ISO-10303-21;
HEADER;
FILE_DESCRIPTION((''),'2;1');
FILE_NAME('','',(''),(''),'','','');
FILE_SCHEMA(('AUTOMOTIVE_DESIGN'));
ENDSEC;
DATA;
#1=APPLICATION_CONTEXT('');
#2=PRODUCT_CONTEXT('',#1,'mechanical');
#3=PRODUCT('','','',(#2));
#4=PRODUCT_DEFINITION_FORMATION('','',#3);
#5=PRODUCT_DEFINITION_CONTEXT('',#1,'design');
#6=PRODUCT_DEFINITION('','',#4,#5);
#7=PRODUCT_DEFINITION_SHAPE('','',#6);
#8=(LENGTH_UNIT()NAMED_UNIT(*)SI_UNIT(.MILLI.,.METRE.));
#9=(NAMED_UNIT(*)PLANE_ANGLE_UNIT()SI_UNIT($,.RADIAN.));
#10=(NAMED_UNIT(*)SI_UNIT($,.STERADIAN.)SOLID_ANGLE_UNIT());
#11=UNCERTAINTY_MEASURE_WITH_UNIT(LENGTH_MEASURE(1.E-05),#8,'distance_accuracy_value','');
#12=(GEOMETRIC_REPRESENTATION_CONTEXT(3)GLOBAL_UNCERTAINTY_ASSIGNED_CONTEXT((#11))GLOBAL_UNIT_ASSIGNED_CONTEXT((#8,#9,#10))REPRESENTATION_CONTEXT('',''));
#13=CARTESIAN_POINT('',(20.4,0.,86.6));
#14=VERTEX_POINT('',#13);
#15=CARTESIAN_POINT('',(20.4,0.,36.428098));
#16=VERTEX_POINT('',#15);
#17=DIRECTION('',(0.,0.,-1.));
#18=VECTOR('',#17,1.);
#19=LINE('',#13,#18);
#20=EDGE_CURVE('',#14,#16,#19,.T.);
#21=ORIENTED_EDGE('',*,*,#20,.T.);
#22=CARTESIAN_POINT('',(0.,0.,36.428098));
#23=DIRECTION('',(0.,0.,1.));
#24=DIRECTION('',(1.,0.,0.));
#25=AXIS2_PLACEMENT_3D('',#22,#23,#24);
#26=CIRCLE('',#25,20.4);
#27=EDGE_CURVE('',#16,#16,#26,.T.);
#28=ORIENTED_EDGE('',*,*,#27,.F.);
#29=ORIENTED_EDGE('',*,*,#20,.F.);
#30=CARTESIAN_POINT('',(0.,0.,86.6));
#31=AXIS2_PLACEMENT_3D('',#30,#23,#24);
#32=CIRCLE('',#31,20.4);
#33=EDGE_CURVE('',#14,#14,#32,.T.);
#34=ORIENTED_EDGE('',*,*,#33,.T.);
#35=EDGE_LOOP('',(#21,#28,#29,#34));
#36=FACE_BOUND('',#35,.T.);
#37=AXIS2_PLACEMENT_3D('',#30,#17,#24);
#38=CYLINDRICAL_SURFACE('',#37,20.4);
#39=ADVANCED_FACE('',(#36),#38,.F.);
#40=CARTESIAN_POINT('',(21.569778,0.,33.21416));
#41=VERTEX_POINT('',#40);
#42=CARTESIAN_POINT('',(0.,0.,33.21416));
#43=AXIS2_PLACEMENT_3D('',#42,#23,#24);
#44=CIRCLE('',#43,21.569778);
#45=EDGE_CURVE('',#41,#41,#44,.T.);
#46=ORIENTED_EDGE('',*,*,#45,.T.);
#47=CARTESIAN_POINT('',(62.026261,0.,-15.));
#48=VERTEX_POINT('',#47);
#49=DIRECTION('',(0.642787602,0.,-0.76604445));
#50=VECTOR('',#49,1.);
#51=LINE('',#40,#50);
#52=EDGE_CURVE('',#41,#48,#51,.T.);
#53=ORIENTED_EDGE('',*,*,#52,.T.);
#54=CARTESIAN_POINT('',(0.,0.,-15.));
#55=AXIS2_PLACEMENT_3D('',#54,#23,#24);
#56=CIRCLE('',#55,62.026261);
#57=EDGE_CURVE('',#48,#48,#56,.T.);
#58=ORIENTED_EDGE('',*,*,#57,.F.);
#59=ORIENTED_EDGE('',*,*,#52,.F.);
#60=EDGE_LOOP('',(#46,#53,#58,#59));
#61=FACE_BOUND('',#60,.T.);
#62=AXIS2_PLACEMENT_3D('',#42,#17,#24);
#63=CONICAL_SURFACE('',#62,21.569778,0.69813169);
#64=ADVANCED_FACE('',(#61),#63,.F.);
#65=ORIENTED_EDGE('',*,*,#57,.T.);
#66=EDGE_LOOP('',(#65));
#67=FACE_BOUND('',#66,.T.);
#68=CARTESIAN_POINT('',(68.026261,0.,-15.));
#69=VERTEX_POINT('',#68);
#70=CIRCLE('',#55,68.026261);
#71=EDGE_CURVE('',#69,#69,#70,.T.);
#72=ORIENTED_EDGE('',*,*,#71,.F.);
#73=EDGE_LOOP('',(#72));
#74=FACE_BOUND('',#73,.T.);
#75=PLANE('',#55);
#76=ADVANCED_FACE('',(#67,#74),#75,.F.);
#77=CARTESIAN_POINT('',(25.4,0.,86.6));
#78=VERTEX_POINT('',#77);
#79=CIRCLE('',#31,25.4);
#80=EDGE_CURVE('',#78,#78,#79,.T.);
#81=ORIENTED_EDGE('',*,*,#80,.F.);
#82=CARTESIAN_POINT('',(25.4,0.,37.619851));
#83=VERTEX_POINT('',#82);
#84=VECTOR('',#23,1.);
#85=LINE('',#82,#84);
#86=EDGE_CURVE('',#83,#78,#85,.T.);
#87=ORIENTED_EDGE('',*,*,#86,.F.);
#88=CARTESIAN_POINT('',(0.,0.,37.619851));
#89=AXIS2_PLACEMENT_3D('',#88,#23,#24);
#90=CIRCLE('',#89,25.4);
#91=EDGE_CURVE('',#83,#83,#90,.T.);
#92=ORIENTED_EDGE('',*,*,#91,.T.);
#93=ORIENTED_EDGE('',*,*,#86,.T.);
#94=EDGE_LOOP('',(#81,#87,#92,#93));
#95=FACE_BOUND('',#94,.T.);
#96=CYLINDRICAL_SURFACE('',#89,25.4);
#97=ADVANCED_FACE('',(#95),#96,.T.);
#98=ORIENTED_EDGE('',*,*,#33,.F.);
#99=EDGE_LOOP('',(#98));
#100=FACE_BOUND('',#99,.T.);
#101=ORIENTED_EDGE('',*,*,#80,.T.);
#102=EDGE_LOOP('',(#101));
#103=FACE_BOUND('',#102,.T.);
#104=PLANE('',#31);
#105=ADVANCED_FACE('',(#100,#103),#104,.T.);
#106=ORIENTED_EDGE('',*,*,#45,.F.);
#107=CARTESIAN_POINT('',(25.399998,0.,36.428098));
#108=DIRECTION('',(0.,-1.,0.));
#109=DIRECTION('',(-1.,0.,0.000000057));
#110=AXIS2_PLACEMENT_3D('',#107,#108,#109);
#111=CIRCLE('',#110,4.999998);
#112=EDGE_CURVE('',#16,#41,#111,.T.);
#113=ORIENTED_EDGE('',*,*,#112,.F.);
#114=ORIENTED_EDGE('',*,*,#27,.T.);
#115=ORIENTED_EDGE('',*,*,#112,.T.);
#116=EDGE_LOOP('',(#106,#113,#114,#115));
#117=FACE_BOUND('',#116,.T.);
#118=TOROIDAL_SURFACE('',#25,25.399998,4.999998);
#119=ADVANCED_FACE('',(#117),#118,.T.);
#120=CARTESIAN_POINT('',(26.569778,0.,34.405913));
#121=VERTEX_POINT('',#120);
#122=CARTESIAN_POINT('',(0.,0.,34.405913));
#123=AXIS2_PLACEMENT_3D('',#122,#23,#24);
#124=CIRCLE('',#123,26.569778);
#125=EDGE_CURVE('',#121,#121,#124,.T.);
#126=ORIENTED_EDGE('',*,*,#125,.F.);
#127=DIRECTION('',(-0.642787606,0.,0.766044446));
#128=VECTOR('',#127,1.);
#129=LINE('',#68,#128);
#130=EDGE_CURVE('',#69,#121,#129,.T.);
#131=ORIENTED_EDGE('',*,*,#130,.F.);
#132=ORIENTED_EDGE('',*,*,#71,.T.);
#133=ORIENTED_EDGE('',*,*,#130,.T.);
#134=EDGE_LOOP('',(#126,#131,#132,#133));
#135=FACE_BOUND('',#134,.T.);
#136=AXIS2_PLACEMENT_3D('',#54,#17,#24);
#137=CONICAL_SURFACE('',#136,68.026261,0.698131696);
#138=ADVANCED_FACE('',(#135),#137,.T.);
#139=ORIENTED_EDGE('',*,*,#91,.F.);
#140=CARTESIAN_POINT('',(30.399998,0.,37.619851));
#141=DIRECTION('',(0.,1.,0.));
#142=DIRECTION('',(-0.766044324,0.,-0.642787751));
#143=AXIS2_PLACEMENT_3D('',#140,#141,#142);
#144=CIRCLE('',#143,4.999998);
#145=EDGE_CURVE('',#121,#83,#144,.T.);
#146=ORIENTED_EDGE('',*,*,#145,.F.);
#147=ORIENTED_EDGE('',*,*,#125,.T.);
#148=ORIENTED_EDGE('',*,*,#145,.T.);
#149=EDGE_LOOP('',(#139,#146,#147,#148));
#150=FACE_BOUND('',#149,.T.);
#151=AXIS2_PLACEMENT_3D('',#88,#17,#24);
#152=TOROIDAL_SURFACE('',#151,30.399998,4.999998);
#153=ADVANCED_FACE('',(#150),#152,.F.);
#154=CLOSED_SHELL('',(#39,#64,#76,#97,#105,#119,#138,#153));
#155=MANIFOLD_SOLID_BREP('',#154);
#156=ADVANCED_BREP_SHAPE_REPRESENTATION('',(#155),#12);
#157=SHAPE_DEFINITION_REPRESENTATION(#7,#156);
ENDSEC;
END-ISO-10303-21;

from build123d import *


with BuildPart() as f1:
    # F0 (on Front) → F1 (revolve)
    with BuildSketch(Plane.XZ):
        with BuildLine():
            Line((25.4, 37.619851), (25.4, 86.6))
            Line((25.4, 86.6), (20.4, 86.6))
            Line((20.4, 86.6), (20.4, 36.428098))
            ThreePointArc((20.4, 36.428098), (20.701537, 34.717997), (21.569778, 33.21416))
            Line((21.569778, 33.21416), (62.026261, -15))
            Line((62.026261, -15), (68.026261, -15))
            Line((68.026261, -15), (26.569778, 34.405913))
            ThreePointArc((26.569778, 34.405913), (25.701537, 35.90975), (25.4, 37.619851))
        make_face()
    revolve(axis=Axis((0, 0, 1.123895), (0, 0, 1)))


solid = f1.part
